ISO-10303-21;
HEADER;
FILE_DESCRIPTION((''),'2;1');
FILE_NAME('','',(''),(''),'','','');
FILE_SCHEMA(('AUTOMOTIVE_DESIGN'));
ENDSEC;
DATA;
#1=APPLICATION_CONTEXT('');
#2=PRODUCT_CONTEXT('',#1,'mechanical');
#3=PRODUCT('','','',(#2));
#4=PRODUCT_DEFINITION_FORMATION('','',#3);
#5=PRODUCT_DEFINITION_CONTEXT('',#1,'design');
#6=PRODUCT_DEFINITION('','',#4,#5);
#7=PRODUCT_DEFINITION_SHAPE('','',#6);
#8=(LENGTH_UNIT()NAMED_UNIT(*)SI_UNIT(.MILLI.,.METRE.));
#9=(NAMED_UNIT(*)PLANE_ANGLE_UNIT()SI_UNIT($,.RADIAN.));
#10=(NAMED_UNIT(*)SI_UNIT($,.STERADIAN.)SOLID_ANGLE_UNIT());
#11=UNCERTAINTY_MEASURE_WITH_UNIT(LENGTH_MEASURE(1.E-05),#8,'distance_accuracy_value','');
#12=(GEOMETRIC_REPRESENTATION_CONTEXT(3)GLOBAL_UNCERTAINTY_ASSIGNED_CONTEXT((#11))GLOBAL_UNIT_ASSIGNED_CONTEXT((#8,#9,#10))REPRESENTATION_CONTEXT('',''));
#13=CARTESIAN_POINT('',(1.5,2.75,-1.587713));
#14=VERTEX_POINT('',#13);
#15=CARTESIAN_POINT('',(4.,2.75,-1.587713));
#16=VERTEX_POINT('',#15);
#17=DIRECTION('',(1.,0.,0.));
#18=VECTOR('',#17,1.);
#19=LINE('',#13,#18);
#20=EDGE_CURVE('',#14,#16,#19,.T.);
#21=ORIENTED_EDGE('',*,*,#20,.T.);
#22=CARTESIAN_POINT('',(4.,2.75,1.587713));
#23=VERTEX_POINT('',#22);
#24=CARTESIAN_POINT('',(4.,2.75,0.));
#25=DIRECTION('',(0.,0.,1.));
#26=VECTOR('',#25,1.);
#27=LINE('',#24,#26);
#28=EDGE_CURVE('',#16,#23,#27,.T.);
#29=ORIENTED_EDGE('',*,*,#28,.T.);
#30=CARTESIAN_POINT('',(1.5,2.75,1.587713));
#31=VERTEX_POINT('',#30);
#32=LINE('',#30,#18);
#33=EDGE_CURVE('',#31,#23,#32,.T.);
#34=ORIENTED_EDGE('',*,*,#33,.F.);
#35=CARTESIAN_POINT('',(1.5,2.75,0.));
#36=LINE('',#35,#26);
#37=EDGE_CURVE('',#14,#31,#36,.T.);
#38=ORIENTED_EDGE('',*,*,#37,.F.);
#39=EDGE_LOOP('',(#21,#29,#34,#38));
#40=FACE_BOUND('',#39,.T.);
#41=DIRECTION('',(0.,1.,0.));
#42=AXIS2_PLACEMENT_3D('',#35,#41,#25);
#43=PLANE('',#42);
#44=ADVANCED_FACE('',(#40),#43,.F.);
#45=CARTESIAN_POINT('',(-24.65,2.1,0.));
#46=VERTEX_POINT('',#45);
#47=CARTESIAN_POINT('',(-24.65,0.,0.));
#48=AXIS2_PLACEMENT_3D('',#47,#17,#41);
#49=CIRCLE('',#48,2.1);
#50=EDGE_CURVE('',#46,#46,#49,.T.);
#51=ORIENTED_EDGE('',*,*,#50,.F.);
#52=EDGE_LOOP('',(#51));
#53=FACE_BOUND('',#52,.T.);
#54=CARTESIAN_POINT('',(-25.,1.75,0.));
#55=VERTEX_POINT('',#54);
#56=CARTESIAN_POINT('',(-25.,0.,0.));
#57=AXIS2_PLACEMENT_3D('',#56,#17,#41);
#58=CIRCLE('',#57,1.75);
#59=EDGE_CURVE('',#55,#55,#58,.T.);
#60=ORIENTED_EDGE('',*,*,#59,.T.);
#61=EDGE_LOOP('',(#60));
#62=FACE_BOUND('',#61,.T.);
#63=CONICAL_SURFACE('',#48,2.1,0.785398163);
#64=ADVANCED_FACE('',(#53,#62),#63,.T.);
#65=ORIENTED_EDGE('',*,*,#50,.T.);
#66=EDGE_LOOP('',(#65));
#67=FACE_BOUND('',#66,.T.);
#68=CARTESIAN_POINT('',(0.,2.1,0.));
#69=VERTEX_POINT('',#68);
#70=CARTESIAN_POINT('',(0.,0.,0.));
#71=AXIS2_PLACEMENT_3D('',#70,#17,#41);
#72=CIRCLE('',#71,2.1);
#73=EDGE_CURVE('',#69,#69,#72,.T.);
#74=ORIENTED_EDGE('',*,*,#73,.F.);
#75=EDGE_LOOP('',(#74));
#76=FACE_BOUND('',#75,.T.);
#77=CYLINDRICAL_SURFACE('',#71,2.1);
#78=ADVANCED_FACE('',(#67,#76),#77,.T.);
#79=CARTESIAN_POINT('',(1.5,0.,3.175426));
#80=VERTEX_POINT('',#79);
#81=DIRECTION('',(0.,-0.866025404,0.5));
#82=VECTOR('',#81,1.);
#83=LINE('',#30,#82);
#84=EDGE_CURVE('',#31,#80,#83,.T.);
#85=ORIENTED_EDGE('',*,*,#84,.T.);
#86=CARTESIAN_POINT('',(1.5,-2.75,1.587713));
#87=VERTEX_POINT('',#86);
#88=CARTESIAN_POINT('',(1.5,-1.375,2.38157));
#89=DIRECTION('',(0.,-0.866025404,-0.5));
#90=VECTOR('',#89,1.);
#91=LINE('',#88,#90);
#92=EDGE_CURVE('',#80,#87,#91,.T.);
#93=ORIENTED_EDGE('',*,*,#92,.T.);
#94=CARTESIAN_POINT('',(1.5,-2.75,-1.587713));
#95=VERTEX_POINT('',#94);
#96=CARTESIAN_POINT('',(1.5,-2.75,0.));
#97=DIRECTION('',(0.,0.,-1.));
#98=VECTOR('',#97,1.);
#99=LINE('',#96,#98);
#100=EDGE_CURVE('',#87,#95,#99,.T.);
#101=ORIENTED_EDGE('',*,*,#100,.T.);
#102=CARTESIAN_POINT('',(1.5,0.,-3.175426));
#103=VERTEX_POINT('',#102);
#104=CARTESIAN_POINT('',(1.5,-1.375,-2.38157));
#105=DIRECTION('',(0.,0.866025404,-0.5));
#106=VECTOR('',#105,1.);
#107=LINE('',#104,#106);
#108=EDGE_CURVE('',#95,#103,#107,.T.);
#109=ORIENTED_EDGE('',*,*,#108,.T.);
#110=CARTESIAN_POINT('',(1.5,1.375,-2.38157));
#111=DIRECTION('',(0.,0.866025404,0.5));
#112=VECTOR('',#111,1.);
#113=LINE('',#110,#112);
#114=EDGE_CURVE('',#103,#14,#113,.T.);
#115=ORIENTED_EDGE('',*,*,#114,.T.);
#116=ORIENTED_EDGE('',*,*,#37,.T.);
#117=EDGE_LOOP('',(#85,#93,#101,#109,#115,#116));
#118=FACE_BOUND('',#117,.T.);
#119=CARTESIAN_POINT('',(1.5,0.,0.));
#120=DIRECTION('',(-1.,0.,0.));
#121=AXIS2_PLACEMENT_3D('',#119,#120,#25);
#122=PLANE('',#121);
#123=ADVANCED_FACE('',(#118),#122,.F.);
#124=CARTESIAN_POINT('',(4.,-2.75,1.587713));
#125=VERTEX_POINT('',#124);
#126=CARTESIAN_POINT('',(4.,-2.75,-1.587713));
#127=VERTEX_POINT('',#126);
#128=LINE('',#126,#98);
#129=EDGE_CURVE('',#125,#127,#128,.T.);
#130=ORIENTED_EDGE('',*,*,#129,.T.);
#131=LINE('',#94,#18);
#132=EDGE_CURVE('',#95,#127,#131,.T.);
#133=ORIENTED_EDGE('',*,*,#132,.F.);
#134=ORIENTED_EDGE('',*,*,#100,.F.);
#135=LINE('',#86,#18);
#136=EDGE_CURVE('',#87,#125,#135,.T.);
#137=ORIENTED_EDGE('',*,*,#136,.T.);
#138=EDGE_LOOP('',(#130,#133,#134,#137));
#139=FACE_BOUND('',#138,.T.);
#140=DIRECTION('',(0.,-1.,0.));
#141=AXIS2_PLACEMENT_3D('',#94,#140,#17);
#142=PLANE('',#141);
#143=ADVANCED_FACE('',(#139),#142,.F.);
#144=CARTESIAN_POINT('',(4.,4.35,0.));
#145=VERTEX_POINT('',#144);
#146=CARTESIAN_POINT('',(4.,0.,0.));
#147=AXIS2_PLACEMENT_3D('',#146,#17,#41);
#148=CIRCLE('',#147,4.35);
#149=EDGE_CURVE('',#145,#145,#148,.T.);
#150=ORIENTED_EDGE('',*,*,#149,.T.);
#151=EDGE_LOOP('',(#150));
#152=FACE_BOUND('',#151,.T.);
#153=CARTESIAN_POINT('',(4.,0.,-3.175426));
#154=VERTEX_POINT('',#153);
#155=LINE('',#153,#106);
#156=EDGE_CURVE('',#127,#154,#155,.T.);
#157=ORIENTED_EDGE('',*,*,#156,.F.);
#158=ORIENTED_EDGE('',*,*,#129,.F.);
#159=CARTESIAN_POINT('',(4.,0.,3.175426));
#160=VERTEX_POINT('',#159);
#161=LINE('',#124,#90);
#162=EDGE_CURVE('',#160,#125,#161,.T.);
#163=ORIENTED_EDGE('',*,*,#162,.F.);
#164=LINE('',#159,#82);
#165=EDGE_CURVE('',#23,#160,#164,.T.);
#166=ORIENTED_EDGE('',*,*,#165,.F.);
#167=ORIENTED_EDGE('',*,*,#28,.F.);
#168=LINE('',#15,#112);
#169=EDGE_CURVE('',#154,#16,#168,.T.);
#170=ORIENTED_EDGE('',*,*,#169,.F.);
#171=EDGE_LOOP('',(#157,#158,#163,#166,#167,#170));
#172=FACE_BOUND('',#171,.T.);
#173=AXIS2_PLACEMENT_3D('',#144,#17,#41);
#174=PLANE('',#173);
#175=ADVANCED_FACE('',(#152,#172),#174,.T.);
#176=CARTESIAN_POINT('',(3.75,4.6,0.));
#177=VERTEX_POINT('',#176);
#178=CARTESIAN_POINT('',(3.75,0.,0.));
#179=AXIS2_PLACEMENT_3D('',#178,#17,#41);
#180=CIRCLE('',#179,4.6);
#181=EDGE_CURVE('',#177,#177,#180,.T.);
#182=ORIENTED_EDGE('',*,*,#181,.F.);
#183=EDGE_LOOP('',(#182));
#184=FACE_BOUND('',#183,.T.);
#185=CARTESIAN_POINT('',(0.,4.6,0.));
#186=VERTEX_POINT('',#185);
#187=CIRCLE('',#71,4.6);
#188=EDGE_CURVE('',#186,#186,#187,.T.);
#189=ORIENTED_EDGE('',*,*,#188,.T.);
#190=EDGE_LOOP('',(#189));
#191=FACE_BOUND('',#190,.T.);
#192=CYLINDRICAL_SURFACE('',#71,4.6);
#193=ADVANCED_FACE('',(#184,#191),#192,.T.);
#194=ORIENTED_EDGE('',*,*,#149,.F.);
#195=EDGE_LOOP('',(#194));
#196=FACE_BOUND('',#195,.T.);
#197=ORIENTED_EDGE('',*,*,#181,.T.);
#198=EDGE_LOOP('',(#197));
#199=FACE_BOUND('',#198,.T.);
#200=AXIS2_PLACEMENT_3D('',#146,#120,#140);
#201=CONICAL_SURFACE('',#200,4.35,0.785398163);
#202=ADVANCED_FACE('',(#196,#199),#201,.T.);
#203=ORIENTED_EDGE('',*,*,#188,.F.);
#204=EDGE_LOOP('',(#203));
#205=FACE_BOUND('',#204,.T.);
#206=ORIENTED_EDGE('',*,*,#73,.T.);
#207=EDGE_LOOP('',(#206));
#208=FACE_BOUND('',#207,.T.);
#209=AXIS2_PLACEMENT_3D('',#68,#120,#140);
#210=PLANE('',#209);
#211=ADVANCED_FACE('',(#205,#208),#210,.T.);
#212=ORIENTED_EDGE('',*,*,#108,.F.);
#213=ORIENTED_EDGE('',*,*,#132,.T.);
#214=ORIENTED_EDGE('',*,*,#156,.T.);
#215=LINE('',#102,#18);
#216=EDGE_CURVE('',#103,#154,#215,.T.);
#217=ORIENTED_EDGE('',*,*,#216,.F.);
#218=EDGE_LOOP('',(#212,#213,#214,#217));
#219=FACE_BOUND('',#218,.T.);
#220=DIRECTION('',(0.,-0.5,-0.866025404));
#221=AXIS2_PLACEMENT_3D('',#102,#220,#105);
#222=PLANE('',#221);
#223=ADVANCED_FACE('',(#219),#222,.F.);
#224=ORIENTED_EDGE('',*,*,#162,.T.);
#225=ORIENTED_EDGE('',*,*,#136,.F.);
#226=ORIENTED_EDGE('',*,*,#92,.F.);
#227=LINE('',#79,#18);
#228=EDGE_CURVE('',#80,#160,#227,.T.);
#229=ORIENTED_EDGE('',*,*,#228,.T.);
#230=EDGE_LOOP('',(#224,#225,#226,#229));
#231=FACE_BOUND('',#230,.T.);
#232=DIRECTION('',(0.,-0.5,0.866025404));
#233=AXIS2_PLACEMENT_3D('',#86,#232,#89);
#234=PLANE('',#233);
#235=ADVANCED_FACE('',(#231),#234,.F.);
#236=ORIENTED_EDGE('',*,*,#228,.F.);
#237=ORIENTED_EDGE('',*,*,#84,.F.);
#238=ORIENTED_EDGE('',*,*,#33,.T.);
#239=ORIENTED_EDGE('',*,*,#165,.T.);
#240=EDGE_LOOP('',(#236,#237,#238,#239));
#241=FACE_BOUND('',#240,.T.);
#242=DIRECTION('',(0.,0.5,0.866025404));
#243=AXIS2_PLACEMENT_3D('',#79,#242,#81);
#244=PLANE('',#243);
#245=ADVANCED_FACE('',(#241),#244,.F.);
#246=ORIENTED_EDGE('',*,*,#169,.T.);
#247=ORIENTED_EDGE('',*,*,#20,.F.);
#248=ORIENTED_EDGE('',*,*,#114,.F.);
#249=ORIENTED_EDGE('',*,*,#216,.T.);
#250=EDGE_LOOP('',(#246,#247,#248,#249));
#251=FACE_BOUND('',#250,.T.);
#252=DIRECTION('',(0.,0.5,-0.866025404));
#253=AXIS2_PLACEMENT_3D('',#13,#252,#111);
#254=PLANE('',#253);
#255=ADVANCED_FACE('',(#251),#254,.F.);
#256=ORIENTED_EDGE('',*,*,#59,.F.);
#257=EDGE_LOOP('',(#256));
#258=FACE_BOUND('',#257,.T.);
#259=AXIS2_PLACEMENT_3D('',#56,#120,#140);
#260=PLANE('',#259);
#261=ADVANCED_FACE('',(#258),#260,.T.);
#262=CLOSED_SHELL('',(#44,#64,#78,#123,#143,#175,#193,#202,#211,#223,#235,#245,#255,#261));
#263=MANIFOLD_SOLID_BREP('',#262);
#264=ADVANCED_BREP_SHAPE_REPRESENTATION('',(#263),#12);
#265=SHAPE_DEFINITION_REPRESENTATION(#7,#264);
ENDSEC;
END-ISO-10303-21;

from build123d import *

# Parameters (mm, degrees)
CUT_EXTRUDE1_DEPTH = 2.5


with BuildPart() as part:
    # Sketch1 → Revolve1 (revolve)
    with BuildSketch(Plane.XY):
        Polygon((0, 0), (-25, 0), (-25, 1.75), (-24.65, 2.1), (0, 2.1), (0, 4.6), (3.75, 4.6), (4, 4.35), (4, 0), align=None)
    revolve(axis=Axis((0, 0, 0), (-1, 0, 0)))

    # Sketch2 → Cut-Extrude1 (cut)
    with BuildSketch(Plane(origin=(4, 0, 0), x_dir=(0, 0, -1), z_dir=(1, 0, 0))):
        Polygon((0, 2.75), (-1.58771324, 2.75), (-2.38156986, 1.375), (-3.175426481, 0), (-2.38156986, -1.375), (-1.58771324, -2.75), (0, -2.75), (1.58771324, -2.75), (2.38156986, -1.375), (3.175426481, 0), (2.38156986, 1.375), (1.58771324, 2.75), align=None)
    extrude(amount=-CUT_EXTRUDE1_DEPTH, mode=Mode.SUBTRACT)


solid = part.part
